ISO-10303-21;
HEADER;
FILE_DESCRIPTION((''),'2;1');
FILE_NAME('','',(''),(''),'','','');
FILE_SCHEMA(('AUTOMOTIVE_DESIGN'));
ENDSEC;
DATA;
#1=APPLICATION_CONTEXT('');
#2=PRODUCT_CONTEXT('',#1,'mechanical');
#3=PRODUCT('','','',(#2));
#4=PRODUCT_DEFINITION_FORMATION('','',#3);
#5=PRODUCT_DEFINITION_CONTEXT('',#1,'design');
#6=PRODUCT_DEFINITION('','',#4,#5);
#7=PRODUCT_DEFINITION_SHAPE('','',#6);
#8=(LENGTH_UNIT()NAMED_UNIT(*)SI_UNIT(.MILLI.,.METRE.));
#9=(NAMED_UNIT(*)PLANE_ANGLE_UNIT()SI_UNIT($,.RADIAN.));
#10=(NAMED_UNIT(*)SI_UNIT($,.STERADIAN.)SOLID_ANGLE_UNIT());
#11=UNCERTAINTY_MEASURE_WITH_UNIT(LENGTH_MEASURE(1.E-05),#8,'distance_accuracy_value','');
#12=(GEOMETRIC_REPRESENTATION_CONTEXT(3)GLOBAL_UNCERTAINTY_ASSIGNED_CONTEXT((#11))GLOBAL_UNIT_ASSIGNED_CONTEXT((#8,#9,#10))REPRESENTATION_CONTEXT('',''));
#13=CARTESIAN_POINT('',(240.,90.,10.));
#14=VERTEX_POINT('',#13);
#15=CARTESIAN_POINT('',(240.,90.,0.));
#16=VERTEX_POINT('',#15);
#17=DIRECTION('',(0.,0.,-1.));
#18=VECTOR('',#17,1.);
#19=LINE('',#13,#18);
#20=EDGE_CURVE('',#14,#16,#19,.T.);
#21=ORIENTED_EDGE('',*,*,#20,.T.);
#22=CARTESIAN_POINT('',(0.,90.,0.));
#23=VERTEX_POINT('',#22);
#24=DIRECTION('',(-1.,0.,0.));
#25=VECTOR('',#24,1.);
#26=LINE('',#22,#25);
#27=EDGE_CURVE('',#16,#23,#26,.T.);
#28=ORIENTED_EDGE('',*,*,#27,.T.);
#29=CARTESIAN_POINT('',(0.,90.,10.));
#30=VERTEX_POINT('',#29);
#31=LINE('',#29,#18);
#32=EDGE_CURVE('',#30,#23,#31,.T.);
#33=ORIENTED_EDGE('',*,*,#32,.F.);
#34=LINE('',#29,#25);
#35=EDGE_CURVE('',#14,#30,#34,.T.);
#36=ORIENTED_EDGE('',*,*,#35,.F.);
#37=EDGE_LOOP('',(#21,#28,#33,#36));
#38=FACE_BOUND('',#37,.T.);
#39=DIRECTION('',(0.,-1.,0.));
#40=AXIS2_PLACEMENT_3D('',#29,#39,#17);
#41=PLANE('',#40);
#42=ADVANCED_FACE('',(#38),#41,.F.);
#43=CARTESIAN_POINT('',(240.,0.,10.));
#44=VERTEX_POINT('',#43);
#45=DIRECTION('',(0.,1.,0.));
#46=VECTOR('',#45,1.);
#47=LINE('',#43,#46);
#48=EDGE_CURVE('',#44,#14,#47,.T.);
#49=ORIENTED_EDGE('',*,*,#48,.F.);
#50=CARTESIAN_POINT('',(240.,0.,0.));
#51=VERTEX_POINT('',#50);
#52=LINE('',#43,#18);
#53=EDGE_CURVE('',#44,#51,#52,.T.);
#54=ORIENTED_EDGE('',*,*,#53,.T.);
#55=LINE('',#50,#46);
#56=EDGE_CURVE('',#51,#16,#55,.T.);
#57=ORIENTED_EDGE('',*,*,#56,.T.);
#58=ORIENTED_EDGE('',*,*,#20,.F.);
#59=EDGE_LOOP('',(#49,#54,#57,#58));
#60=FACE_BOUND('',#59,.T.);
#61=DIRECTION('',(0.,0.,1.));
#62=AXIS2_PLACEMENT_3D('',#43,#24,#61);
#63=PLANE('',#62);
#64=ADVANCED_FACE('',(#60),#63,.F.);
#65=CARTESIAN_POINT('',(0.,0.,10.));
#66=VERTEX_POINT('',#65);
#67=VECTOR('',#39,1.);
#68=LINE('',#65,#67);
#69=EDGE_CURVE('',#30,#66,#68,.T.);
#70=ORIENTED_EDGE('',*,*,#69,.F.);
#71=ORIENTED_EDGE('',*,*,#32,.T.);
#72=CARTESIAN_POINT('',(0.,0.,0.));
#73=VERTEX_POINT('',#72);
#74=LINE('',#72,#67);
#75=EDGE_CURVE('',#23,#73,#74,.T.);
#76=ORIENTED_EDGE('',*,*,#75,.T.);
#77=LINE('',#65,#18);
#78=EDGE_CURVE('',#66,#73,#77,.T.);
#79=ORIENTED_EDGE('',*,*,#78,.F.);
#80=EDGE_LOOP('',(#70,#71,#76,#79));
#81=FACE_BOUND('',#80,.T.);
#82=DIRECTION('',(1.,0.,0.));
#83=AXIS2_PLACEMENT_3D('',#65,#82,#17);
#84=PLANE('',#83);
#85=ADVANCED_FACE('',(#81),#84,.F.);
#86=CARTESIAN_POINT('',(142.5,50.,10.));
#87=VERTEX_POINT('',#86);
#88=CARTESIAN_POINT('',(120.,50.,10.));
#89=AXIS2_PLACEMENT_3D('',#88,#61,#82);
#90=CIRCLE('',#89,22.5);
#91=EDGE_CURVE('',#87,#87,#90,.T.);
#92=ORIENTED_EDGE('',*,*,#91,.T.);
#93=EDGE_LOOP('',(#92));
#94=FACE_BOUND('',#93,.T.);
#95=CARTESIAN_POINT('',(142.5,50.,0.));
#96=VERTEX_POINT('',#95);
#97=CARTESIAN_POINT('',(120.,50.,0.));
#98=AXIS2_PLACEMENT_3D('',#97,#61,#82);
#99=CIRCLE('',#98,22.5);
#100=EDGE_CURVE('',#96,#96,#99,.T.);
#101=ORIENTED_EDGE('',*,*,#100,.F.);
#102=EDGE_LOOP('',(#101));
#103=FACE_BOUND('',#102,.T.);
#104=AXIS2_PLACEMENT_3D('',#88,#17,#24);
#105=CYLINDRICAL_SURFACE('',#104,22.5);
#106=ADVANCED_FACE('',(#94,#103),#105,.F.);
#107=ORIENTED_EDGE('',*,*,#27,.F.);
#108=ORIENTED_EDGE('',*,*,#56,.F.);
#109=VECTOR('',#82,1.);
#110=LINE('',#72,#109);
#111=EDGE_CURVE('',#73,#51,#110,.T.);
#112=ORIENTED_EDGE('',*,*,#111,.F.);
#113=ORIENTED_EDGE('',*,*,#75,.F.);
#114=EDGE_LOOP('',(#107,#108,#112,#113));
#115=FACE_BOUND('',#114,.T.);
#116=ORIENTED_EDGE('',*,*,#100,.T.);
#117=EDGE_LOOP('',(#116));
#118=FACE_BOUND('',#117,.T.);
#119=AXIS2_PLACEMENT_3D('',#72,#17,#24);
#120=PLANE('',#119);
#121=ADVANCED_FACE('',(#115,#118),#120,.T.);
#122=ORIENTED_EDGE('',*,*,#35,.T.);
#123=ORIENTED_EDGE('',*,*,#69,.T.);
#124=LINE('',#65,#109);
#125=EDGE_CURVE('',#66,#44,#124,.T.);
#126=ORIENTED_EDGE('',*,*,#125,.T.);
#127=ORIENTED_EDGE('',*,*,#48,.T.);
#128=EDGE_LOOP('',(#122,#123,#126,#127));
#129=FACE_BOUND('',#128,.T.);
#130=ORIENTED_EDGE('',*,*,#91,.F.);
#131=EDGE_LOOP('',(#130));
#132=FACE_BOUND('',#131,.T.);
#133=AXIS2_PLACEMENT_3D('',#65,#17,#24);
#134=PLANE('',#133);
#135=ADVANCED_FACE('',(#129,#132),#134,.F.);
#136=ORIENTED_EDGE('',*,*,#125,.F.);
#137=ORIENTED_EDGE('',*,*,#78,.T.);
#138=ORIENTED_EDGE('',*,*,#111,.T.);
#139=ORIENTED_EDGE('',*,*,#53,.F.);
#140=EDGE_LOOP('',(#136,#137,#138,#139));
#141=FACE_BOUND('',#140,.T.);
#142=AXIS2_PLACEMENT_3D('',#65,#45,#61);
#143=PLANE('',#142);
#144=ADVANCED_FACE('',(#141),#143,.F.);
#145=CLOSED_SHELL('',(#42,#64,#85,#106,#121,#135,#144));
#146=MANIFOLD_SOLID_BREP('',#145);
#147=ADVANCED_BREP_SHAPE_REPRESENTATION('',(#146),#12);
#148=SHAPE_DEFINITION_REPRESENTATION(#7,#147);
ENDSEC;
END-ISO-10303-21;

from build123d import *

# Parameters (mm, degrees)
CROQUIS1_W              = 240
CROQUIS1_H              = 90
CROQUIS1_R              = 22.5
SALIENTE_EXTRUIR1_DEPTH = 10


with BuildPart() as part:
    # Croquis1 → Saliente-Extruir1 (new body)
    with BuildSketch(Plane.XY):
        with Locations((120, 45)):
            Rectangle(CROQUIS1_W, CROQUIS1_H)
        with Locations((120, 50)):
            Circle(CROQUIS1_R, mode=Mode.SUBTRACT)
    extrude(amount=SALIENTE_EXTRUIR1_DEPTH)


solid = part.part
